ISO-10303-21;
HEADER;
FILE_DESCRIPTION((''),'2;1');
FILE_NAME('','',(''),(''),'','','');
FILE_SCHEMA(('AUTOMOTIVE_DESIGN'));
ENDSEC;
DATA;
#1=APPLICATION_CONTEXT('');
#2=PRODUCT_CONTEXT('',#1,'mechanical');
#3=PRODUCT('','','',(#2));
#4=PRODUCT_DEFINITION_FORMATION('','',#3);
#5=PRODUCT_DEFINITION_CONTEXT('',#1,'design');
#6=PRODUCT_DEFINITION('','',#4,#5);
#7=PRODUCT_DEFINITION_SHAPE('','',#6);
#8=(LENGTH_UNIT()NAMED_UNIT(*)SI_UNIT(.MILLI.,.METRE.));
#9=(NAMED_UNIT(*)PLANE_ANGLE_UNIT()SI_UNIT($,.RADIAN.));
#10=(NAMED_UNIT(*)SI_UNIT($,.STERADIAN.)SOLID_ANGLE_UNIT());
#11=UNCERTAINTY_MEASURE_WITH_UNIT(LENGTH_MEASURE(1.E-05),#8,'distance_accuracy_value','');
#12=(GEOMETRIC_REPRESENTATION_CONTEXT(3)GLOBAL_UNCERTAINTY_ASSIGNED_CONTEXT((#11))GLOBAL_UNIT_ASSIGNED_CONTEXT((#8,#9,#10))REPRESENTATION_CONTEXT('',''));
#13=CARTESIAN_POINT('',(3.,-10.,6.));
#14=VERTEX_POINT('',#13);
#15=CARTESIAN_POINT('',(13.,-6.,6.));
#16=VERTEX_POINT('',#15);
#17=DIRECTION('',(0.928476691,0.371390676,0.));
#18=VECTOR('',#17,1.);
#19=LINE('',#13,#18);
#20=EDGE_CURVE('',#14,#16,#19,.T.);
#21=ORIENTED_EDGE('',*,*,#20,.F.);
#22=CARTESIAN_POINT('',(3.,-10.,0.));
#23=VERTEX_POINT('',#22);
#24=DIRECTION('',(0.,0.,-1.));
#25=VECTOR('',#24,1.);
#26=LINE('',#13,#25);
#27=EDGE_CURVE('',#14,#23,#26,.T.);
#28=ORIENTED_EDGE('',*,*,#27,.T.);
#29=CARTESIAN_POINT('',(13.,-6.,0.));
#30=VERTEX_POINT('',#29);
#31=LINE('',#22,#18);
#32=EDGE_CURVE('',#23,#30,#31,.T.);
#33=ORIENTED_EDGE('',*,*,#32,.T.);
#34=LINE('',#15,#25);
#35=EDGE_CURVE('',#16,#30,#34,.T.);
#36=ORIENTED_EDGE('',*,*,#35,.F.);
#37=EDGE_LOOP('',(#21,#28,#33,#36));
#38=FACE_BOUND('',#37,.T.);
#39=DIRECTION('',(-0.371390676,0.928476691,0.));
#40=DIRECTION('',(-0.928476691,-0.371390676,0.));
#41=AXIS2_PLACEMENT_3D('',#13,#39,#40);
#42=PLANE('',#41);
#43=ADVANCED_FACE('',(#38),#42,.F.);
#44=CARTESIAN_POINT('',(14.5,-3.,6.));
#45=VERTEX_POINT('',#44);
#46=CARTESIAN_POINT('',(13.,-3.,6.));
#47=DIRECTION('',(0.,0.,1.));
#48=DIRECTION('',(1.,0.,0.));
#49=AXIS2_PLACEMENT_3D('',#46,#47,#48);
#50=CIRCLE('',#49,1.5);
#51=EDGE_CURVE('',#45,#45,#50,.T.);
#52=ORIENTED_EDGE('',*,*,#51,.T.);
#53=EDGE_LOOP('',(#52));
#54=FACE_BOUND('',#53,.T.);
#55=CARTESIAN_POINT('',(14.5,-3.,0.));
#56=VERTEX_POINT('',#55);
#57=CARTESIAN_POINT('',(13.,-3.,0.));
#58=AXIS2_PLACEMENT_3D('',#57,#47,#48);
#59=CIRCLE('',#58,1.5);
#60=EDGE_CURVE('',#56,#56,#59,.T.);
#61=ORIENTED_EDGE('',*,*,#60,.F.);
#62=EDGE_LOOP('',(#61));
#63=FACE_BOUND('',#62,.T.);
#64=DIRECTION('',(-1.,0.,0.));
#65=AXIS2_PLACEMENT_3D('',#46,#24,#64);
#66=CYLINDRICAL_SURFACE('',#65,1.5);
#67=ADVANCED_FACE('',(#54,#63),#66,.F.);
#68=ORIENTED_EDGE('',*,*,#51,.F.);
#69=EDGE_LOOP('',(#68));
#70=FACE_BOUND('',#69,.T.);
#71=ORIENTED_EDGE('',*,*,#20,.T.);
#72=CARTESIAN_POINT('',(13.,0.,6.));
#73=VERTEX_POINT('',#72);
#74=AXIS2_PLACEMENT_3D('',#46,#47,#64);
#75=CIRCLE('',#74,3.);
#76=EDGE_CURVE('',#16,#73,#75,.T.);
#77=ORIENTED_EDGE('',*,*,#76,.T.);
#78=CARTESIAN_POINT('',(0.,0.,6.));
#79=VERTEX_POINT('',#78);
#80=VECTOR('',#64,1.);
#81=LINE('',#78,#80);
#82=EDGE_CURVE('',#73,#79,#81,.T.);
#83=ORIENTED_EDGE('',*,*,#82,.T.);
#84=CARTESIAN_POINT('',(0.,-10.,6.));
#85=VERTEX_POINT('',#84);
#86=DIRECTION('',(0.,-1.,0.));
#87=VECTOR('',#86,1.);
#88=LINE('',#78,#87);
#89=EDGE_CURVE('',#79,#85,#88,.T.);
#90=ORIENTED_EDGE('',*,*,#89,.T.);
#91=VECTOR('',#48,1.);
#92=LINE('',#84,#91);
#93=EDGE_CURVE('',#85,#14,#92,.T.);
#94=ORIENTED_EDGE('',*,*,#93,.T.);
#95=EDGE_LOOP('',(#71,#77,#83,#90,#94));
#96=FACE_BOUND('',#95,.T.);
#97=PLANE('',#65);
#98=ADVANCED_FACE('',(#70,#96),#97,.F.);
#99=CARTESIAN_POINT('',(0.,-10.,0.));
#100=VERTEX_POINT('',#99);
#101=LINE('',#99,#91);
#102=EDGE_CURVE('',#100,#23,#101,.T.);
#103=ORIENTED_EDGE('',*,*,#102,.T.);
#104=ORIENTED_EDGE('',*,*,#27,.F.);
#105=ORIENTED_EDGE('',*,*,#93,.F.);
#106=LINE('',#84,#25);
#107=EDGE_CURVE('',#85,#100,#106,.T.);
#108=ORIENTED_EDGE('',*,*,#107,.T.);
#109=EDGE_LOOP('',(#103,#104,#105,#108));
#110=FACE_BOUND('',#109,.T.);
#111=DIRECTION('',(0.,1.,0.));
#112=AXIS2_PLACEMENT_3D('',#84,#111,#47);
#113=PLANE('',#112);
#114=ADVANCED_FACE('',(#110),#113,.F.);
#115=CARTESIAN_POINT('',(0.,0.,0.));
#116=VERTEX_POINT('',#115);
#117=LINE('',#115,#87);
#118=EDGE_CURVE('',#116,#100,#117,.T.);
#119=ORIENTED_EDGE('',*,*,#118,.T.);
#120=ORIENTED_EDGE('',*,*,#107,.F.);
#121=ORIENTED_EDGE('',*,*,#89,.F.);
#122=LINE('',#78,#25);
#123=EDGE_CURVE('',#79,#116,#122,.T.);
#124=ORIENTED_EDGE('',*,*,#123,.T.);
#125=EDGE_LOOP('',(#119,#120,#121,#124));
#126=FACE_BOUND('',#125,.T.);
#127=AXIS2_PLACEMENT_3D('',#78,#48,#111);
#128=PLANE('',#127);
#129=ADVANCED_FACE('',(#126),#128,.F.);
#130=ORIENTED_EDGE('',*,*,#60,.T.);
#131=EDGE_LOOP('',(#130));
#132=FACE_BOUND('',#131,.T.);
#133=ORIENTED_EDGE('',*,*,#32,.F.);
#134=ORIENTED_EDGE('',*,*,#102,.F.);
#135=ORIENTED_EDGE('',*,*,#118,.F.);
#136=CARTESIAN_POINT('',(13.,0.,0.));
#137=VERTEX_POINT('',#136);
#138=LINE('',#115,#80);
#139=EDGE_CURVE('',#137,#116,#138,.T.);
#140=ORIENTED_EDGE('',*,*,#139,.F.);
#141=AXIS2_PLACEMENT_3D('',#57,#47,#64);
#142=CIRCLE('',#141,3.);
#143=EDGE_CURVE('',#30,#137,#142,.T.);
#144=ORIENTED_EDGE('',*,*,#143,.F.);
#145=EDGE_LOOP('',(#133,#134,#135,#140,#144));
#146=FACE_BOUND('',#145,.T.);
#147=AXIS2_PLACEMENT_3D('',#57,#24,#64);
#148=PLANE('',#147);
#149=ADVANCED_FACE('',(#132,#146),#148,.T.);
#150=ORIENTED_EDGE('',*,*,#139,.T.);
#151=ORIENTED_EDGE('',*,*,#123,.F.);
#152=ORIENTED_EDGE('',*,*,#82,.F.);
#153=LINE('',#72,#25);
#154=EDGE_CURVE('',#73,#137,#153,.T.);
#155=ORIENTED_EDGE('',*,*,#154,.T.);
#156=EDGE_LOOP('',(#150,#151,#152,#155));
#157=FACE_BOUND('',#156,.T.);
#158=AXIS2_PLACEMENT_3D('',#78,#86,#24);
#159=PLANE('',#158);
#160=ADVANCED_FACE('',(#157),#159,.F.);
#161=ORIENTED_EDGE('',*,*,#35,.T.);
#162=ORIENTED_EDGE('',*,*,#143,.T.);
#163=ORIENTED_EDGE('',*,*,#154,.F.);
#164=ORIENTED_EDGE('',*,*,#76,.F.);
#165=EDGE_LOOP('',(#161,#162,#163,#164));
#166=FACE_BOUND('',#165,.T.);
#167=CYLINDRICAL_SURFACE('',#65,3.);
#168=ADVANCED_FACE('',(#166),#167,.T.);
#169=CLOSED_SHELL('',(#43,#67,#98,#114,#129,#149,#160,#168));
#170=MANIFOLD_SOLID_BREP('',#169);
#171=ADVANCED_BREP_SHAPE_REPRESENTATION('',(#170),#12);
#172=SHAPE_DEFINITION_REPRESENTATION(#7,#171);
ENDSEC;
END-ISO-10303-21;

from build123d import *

# Parameters (mm, degrees)
SKETCH1_R           = 1.5
BOSS_EXTRUDE1_DEPTH = 6


with BuildPart() as part:
    # Sketch1 → Boss-Extrude1 (new body)
    with BuildSketch(Plane.XY):
        with BuildLine():
            Line((0, 0), (13, 0))
            ThreePointArc((13, 0), (16, -3), (13, -6))
            Line((13, -6), (3, -10))
            Line((3, -10), (0, -10))
            Line((0, -10), (0, 0))
        make_face()
        with Locations((13, -3)):
            Circle(SKETCH1_R, mode=Mode.SUBTRACT)
    extrude(amount=BOSS_EXTRUDE1_DEPTH)


solid = part.part
